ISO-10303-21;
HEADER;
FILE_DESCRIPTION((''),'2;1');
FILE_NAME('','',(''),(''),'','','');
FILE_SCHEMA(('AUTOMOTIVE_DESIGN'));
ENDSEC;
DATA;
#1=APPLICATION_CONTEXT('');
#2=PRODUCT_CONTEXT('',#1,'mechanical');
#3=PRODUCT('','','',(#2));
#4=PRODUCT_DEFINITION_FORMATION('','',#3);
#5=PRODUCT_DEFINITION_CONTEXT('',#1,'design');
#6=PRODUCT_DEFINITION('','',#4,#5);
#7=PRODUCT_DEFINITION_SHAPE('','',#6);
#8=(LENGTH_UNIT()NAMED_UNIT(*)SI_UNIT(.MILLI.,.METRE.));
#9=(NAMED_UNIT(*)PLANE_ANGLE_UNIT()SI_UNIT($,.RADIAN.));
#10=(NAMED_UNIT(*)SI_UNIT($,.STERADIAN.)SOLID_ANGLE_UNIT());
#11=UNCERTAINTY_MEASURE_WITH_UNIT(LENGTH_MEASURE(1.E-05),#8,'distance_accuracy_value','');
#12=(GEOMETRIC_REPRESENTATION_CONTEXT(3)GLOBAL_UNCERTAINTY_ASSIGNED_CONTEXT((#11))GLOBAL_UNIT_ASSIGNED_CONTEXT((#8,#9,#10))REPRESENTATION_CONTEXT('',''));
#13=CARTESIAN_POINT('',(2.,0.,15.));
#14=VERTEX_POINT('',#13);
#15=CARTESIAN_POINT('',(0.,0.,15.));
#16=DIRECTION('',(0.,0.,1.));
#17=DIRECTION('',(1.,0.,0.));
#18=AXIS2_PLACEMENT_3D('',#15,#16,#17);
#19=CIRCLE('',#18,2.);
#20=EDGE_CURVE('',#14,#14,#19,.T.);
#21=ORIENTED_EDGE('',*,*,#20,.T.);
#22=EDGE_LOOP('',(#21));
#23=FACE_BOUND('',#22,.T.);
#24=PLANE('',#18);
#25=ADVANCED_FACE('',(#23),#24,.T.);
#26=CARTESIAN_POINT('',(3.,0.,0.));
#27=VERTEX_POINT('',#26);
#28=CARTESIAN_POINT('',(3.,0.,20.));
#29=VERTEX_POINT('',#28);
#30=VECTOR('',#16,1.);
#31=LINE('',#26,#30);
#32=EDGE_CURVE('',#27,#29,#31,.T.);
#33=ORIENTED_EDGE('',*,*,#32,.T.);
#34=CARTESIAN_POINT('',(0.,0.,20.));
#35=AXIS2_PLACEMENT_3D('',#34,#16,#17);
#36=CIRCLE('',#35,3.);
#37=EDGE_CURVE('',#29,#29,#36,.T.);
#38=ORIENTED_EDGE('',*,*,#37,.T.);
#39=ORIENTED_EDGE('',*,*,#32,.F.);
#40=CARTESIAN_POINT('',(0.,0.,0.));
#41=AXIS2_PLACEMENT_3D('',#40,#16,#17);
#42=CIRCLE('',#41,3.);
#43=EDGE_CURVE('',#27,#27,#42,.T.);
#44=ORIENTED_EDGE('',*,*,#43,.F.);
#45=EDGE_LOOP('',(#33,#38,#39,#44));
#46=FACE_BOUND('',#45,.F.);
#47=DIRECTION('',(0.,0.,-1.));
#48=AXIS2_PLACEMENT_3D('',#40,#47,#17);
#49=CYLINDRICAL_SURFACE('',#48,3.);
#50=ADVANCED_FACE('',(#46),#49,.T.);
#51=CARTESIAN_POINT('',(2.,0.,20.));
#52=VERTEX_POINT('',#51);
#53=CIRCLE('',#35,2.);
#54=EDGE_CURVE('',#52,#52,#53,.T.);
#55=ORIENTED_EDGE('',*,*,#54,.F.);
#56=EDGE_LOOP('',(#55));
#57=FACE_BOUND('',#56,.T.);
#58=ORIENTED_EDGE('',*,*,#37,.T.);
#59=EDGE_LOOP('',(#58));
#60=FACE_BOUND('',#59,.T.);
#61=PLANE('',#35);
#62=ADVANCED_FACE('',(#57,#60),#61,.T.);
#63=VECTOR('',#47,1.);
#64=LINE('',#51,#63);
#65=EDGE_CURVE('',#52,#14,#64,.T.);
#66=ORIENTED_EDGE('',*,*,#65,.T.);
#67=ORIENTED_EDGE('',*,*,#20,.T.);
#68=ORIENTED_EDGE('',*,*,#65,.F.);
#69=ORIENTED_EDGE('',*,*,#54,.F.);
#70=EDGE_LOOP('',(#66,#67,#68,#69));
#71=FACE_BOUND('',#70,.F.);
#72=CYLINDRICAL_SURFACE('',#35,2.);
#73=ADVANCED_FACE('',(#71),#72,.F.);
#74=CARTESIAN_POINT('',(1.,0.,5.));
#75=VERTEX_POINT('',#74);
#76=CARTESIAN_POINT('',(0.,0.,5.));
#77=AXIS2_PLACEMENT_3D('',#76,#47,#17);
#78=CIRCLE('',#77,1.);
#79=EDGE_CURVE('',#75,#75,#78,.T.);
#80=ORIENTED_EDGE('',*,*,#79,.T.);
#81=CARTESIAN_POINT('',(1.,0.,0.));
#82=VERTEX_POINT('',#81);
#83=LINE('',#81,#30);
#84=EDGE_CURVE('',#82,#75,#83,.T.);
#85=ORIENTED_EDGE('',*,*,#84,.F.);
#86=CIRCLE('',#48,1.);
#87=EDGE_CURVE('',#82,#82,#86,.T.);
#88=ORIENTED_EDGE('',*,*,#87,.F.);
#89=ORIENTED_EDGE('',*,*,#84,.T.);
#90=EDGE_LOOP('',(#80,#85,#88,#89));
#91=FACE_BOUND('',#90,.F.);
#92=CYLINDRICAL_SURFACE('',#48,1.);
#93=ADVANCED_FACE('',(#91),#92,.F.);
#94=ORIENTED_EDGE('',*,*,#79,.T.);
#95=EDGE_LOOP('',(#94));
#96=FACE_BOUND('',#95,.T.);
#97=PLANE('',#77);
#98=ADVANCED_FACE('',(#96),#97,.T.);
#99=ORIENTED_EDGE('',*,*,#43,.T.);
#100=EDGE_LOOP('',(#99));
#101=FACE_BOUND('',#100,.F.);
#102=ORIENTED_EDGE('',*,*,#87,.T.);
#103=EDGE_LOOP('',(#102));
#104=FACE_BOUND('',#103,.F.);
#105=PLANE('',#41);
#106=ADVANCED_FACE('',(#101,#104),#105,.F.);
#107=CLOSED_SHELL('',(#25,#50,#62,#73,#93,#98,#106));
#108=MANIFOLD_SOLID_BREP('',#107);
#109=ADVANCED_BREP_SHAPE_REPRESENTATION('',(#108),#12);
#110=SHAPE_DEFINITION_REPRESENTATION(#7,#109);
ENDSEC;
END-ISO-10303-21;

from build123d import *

# Parameters (mm, degrees)
SKETCH003_R     = 3
PAD_DEPTH       = 20
SKETCH004_R     = 2
POCKET_DEPTH    = 5
SKETCH005_R     = 1
POCKET001_DEPTH = 5


with BuildPart() as part:
    # Sketch003 → Pad (new body)
    with BuildSketch(Plane.XY):
        Circle(SKETCH003_R)
    extrude(amount=PAD_DEPTH)

    # Sketch004 (on Face3 of Pad) → Pocket (cut)
    with BuildSketch(Plane.XY.offset(20)):
        Circle(SKETCH004_R)
    extrude(amount=-POCKET_DEPTH, mode=Mode.SUBTRACT)

    # Sketch005 (on Face2 of Pocket) → Pocket001 (cut)
    with BuildSketch(Plane(origin=(0, 0, 0), x_dir=(1, 0, 0), z_dir=(0, 0, -1))):
        Circle(SKETCH005_R)
    extrude(amount=-POCKET001_DEPTH, mode=Mode.SUBTRACT)


solid = part.part
